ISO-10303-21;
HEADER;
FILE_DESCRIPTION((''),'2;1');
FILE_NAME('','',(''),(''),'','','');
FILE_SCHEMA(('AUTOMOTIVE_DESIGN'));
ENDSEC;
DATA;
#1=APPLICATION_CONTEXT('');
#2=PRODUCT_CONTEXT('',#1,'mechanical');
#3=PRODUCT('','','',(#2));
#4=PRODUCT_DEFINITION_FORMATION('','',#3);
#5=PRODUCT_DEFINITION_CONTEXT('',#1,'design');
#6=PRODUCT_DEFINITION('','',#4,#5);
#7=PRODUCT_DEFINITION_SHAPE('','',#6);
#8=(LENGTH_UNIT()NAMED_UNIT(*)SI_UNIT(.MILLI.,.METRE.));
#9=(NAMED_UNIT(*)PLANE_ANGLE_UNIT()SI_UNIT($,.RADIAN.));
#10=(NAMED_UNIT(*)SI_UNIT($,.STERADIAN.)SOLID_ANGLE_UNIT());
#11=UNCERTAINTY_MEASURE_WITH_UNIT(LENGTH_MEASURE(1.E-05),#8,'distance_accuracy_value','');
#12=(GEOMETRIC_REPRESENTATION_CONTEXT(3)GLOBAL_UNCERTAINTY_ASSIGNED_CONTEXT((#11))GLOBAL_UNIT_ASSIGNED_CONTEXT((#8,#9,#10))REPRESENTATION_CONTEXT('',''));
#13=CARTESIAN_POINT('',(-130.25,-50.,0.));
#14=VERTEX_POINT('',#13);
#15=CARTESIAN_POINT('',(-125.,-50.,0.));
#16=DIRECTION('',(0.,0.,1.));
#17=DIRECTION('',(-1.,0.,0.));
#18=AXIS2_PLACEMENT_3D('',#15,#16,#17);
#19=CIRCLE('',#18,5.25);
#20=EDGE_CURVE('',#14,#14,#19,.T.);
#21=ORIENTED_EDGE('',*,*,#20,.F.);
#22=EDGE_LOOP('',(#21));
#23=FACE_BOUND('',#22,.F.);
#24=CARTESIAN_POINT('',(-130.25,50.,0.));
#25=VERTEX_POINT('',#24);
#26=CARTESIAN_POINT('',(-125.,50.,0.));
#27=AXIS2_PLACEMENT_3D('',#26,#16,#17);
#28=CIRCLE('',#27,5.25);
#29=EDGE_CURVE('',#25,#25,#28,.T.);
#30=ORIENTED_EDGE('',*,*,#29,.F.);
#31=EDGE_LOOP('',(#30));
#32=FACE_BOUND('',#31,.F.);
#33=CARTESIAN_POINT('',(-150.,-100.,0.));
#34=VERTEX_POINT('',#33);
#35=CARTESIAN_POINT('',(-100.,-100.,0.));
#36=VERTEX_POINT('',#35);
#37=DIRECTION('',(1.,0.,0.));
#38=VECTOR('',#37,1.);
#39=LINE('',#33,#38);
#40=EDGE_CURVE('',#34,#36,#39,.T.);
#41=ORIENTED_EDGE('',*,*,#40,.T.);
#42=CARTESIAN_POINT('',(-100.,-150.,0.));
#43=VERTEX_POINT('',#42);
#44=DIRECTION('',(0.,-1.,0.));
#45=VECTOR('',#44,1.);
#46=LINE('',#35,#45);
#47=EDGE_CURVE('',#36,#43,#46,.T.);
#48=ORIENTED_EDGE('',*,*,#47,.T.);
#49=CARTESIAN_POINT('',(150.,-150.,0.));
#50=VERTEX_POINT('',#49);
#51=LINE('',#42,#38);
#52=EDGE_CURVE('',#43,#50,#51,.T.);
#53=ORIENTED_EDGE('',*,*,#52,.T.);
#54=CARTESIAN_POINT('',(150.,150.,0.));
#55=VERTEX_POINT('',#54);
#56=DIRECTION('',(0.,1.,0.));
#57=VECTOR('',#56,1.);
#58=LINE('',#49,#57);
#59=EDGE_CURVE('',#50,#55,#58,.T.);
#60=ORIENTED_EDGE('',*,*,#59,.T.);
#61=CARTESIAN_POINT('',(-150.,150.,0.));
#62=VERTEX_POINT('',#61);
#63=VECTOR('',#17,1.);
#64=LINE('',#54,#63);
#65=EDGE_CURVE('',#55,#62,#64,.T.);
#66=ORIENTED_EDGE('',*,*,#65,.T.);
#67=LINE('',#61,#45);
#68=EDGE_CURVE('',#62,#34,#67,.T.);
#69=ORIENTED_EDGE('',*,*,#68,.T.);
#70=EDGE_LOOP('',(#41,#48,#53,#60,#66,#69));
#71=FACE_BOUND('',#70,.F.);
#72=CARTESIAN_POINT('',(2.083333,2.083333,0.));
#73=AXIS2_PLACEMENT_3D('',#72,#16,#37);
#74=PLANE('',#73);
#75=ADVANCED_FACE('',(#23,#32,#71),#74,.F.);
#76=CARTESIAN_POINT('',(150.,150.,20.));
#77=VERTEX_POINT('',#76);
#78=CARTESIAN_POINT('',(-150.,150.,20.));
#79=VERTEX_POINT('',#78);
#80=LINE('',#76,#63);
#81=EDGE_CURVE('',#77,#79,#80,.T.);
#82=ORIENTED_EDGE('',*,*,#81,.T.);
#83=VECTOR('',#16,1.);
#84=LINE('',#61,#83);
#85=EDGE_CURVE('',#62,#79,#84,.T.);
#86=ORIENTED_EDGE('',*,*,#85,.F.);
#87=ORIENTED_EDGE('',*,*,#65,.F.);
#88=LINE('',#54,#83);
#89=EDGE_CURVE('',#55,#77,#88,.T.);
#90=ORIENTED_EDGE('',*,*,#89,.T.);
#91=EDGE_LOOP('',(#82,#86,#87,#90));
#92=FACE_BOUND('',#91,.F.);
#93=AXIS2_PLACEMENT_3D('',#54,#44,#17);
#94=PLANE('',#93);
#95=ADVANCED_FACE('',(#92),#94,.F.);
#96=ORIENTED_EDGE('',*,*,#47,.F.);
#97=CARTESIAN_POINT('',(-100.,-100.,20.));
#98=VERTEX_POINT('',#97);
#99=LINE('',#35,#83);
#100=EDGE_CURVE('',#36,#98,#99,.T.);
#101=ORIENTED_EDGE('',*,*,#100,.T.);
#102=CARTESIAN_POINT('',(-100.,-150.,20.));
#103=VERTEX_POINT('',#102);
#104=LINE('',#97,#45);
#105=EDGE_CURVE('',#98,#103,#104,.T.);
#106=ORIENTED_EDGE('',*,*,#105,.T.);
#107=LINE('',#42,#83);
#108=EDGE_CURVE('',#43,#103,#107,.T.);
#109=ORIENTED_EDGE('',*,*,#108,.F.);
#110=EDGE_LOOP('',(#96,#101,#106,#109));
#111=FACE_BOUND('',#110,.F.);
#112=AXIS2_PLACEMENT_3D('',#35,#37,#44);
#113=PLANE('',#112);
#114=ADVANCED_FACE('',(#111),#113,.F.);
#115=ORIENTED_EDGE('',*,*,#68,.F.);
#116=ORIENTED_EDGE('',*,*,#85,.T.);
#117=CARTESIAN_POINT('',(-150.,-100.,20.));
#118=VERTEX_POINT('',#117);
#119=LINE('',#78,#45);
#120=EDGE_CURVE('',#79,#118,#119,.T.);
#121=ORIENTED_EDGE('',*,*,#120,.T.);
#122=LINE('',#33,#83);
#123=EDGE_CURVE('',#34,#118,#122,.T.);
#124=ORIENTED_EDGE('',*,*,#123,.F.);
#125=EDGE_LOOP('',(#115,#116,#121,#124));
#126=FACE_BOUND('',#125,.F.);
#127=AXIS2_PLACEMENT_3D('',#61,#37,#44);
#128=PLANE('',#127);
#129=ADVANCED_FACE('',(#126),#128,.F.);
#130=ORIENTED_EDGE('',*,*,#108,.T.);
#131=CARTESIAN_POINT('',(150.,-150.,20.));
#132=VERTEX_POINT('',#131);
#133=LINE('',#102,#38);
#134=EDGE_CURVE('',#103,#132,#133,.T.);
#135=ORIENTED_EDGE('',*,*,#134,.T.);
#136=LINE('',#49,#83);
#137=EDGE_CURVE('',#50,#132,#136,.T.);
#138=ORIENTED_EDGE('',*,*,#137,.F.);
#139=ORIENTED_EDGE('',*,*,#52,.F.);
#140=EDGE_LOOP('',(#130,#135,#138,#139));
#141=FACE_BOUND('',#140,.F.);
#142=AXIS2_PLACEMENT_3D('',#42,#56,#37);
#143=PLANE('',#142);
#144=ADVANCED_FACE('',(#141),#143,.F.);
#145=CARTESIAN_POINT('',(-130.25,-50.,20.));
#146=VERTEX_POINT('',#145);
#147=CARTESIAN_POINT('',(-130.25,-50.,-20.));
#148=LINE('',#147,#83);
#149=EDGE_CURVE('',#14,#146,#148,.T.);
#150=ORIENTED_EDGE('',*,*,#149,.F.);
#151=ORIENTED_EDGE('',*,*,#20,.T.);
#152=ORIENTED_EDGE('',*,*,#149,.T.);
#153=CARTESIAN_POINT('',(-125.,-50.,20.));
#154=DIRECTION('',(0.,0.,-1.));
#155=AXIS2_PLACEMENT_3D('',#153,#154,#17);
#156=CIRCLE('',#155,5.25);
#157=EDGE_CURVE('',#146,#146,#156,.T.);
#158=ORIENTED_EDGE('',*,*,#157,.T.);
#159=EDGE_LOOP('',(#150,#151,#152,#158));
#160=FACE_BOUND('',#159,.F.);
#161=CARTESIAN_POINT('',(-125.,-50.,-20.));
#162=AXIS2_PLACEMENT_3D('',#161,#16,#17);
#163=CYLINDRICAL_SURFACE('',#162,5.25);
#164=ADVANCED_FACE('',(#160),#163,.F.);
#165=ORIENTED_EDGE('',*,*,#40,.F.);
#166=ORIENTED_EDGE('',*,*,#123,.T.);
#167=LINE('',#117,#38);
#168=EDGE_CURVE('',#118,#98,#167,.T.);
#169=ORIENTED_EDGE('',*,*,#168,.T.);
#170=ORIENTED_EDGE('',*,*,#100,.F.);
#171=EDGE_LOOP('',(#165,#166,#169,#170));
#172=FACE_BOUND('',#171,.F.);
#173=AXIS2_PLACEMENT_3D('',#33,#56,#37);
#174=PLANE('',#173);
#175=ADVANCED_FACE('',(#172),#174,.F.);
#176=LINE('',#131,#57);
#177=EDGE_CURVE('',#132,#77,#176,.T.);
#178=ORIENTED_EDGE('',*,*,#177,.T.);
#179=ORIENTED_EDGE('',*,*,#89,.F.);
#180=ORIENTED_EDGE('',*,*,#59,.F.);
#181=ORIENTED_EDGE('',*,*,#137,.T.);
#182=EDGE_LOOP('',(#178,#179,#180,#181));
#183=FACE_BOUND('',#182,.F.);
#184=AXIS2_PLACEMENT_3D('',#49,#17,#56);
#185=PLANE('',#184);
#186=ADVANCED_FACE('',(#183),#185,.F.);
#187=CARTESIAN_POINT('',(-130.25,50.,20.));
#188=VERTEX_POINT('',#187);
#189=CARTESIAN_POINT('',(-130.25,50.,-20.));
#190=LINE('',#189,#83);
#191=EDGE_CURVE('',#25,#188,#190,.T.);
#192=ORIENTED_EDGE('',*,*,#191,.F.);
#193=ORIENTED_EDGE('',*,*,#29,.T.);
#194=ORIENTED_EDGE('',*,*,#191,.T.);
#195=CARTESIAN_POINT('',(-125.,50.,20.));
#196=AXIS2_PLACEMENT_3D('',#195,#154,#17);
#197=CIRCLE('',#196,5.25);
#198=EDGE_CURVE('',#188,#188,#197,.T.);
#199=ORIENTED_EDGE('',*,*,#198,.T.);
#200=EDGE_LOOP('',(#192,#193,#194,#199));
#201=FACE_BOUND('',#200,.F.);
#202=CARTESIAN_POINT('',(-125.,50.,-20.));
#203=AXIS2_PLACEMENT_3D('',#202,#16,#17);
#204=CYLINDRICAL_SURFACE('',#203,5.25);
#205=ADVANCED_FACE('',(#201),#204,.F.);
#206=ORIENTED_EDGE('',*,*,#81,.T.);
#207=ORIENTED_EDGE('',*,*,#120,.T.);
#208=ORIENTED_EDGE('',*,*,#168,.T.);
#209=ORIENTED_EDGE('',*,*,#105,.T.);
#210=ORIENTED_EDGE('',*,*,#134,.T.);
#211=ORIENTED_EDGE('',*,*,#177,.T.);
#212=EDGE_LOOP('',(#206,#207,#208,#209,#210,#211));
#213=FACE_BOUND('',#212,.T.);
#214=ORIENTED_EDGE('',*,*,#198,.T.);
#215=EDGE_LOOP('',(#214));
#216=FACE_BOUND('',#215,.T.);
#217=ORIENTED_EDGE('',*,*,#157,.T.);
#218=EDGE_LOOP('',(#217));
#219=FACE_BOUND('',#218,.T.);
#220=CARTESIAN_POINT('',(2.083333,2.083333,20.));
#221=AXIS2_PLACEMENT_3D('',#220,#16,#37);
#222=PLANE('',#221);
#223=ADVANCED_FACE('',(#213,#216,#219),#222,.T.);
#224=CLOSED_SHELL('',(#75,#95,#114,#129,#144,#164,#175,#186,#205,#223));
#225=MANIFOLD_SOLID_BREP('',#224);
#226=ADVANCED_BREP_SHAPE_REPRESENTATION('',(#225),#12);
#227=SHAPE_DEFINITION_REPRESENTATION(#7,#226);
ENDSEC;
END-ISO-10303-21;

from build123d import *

# Parameters (mm, degrees)
F1_DEPTH = 20
F2_D     = 10.5
F2_DEPTH = 20
F2_TIP   = 3.1545182499


with BuildPart() as f1:
    # F0 (on Top) → F1 (new body)
    with BuildSketch(Plane.XY):
        Polygon((150, 150), (-150, 150), (-150, -100), (-100, -100), (-100, -150), (150, -150), align=None)
    extrude(amount=F1_DEPTH)

    # F2
    with Locations(Plane(origin=(0, 0, 0), x_dir=(1, 0, 0), z_dir=(0, 0, -1))):
        with Locations((-125, -50), (-125, 50)):
            Hole(F2_D / 2, depth=F2_DEPTH)
            with Locations((0, 0, -(F2_DEPTH + F2_TIP / 2))):  # 118° drill point
                Cone(0, F2_D / 2, F2_TIP, mode=Mode.SUBTRACT)


solid = f1.part
